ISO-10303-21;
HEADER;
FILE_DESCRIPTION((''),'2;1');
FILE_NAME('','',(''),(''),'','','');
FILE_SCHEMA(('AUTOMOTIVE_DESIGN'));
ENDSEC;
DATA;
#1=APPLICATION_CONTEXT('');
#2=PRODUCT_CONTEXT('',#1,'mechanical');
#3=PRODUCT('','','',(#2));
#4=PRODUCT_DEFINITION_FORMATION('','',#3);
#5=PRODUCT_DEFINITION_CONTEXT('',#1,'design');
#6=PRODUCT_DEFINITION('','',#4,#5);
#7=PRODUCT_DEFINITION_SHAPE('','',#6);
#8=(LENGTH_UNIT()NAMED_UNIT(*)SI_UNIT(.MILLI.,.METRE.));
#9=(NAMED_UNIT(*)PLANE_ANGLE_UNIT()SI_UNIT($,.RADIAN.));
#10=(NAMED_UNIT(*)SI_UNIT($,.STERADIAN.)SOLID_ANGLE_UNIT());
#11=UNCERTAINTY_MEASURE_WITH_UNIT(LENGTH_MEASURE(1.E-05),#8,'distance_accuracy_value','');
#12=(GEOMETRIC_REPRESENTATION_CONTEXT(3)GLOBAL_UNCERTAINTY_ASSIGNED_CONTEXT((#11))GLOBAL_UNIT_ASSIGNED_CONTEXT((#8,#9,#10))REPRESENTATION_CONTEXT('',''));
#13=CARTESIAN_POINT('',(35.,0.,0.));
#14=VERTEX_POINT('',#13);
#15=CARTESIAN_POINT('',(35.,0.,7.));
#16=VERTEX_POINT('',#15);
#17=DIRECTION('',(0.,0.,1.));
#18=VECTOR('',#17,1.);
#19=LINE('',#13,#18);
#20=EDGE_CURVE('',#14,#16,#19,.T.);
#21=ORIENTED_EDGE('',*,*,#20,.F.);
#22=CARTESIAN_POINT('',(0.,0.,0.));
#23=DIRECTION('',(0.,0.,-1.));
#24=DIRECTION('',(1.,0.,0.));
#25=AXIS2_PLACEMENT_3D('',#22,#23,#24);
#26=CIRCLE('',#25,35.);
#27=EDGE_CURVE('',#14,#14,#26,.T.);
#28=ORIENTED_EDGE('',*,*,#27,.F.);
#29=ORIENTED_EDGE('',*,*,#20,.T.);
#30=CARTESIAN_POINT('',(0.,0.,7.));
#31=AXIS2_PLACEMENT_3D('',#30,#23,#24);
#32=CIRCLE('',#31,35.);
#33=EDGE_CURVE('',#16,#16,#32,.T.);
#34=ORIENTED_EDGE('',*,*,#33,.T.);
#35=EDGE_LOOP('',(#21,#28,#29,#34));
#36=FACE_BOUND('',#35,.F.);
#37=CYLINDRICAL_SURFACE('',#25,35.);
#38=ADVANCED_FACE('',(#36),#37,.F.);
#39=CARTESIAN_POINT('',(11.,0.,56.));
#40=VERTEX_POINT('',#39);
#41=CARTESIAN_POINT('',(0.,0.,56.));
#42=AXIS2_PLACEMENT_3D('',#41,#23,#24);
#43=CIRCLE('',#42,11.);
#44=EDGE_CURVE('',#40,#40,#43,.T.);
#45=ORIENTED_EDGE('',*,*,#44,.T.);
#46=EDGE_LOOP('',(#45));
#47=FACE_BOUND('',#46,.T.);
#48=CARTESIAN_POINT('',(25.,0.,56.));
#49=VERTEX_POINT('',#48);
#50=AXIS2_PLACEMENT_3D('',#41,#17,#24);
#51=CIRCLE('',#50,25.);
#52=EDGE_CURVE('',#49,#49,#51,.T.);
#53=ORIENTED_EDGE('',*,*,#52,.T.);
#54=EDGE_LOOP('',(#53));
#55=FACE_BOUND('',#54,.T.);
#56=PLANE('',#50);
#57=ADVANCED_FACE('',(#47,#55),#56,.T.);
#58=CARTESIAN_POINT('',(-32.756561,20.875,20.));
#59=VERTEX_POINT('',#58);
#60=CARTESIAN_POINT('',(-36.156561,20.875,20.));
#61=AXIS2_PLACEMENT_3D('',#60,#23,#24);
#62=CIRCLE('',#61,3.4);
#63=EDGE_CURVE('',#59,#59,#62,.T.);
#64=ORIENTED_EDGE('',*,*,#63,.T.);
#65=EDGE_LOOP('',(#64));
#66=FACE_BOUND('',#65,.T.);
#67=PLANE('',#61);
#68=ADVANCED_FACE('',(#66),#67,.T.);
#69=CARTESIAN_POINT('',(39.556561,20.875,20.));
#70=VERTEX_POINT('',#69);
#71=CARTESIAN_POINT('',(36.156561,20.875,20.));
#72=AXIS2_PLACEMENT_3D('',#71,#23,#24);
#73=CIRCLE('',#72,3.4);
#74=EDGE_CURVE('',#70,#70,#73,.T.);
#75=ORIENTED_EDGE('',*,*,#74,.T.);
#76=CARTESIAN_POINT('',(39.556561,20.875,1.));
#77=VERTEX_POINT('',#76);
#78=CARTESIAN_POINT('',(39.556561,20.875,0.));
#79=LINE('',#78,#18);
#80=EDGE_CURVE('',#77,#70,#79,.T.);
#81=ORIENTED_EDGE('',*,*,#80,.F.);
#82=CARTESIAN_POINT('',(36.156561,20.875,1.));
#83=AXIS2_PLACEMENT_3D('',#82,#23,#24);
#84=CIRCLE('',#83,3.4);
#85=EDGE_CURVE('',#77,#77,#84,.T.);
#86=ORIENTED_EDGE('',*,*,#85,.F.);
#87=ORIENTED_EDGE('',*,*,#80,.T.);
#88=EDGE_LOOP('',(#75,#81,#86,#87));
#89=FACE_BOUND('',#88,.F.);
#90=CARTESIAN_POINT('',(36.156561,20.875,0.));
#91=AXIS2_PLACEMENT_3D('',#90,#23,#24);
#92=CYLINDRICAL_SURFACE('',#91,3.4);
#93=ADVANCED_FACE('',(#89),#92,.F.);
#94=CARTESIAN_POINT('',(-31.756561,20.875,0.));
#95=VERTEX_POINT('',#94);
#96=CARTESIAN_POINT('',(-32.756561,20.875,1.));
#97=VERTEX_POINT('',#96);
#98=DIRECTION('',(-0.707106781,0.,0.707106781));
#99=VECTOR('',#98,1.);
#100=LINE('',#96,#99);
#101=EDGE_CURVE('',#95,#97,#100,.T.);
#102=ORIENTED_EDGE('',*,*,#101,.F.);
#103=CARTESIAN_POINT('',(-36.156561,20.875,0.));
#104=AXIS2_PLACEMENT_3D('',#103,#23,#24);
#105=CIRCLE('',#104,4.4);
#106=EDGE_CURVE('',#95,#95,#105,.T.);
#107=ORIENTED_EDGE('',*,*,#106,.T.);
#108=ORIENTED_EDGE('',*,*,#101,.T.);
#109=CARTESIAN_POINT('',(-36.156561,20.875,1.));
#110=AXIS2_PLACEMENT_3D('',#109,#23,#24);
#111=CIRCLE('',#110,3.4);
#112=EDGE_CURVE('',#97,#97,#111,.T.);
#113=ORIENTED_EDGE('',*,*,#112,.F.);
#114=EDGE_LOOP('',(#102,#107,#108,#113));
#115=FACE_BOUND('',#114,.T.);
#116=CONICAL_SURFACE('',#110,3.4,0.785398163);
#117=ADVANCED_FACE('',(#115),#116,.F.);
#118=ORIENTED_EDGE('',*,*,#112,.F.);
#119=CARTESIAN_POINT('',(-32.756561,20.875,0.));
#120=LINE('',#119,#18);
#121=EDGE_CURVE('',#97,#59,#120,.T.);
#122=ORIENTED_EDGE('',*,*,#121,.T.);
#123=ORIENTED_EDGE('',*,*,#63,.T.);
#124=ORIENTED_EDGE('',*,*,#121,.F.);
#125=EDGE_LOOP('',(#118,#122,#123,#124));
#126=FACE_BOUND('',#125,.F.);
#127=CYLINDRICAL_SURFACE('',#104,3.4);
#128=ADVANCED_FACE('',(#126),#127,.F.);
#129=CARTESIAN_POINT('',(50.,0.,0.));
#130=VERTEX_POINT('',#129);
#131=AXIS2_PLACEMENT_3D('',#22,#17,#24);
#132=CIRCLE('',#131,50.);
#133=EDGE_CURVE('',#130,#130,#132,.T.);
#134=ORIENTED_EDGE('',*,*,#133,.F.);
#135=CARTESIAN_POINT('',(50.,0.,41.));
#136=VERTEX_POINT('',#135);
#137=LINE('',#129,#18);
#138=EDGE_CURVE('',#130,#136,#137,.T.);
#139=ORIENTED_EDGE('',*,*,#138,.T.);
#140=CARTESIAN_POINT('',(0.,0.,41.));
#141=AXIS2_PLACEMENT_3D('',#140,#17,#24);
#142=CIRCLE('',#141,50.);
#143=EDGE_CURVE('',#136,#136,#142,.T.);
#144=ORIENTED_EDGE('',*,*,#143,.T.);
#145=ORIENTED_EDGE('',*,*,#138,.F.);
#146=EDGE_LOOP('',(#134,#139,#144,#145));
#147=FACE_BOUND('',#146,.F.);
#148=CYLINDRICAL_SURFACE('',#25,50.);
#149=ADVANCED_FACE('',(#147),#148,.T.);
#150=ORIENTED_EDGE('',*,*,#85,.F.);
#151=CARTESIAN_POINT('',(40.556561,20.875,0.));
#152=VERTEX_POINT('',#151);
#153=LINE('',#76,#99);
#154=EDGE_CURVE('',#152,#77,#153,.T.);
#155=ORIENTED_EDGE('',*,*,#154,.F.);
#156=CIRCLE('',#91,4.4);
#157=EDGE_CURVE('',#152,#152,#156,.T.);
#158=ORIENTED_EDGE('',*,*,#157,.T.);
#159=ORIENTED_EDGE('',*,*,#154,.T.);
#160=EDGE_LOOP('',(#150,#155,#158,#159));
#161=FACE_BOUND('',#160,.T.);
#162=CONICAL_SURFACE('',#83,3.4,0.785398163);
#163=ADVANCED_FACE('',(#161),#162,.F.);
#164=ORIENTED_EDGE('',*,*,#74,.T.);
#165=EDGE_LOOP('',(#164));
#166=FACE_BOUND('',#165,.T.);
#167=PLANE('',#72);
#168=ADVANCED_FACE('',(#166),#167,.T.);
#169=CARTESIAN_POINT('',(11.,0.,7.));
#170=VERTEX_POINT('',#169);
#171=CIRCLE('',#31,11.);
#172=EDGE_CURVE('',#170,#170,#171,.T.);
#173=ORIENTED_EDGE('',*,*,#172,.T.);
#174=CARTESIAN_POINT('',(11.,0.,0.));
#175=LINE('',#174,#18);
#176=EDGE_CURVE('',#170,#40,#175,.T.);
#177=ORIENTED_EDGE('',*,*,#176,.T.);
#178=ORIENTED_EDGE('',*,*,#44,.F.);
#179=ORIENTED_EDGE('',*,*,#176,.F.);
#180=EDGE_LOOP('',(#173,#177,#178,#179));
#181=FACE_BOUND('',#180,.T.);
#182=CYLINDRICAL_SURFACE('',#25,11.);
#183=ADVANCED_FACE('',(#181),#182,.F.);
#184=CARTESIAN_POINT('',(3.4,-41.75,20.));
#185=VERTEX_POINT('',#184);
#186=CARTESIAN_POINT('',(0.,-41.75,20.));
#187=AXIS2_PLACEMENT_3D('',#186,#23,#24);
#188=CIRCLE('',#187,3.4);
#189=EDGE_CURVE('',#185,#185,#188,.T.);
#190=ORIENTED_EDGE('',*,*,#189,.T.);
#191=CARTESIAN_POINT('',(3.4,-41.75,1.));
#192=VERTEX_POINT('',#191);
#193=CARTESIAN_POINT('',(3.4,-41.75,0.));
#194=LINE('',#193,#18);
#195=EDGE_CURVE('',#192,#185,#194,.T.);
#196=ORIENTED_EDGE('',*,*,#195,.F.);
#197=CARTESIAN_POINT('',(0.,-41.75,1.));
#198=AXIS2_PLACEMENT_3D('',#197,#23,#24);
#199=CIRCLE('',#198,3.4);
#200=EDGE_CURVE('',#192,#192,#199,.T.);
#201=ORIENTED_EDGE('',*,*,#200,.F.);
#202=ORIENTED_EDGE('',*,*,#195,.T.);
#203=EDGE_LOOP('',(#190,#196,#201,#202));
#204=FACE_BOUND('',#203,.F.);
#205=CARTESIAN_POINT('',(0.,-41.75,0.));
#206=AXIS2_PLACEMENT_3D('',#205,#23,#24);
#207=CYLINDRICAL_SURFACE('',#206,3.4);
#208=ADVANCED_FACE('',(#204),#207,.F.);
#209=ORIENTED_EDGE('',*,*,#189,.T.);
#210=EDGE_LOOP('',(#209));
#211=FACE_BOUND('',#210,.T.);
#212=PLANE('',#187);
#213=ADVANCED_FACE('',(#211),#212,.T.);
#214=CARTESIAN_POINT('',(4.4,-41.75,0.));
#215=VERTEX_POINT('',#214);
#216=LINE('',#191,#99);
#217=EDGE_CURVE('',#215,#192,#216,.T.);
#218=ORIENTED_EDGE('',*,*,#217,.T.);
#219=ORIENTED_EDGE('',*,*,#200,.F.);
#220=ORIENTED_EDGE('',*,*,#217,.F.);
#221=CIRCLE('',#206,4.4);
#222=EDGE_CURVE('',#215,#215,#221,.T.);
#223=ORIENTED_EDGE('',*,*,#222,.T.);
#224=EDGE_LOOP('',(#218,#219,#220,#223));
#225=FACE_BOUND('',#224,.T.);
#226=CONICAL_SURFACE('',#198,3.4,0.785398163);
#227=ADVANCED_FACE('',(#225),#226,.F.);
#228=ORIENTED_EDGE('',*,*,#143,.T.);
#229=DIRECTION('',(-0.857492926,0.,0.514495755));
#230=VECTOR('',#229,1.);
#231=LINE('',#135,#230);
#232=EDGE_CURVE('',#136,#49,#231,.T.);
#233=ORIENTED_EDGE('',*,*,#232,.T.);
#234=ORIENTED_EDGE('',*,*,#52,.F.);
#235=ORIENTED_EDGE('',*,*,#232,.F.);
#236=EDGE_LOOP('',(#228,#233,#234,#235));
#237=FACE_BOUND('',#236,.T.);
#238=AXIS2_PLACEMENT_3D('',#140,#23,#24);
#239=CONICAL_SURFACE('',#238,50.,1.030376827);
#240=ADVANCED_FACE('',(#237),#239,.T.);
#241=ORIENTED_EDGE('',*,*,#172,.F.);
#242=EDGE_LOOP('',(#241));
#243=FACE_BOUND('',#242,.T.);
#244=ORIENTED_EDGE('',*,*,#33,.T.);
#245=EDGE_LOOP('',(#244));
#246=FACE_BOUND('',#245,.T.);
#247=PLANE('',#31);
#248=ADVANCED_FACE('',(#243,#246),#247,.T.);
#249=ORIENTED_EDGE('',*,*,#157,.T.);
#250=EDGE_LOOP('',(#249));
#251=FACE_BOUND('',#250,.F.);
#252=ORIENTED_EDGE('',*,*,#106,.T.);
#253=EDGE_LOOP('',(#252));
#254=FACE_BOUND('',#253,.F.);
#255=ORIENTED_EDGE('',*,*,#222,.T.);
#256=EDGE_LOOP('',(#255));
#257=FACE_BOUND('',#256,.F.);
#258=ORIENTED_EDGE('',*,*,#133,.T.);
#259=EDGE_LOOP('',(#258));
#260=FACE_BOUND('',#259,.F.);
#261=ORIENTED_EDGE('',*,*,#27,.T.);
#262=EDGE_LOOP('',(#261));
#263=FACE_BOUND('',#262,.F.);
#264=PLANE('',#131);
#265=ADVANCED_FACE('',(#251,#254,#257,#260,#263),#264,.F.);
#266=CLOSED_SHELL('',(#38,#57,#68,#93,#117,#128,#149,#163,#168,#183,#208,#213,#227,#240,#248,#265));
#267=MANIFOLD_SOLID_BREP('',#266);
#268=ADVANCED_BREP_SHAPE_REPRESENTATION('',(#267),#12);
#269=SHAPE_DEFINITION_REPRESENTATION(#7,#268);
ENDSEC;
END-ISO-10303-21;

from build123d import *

# Parameters (mm, degrees)
SKETCH_R        = 50
PAD_DEPTH       = 56
SKETCH004_R     = 11
POCKET_DEPTH    = 56.001
SKETCH003_R     = 35
POCKET001_DEPTH = 7
CHAMFER_SIZE2   = 25
CHAMFER_SIZE    = 15
SKETCH005_R     = 3.4
POCKET002_DEPTH = 20
CHAMFER001_SIZE = 1


with BuildPart() as part:
    # Sketch → Pad (new body)
    with BuildSketch(Plane.XY):
        Circle(SKETCH_R)
    extrude(amount=PAD_DEPTH)

    # Sketch004 → Pocket (cut, through all)
    with BuildSketch(Plane.XY):
        Circle(SKETCH004_R)
    extrude(amount=POCKET_DEPTH, mode=Mode.SUBTRACT)

    # Sketch003 → Pocket001 (cut)
    with BuildSketch(Plane(origin=(0, 0, 0), x_dir=(1, 0, 0), z_dir=(0, 0, -1))):
        Circle(SKETCH003_R)
    extrude(amount=-POCKET001_DEPTH, mode=Mode.SUBTRACT)

    # Chamfer
    chamfer_edges = [part.edges().sort_by_distance(p)[0] for p in [
        (-50, 0, 56),
    ]]
    chamfer_side = part.faces().sort_by_distance((-50, 0, 28))[0]
    chamfer(chamfer_edges, length=CHAMFER_SIZE, length2=CHAMFER_SIZE2, reference=chamfer_side)

    # Sketch005 (on Face3 of Chamfer) → Pocket002 (cut)
    with BuildSketch(Plane(origin=(0, 0, 0), x_dir=(1, 0, 0), z_dir=(0, 0, -1))):
        with Locations((0, 41.75)):
            Circle(SKETCH005_R)
        with Locations((36.156561, -20.875)):
            Circle(SKETCH005_R)
        with Locations((-36.156561, -20.875)):
            Circle(SKETCH005_R)
    extrude(amount=-POCKET002_DEPTH, mode=Mode.SUBTRACT)

    # Chamfer001
    chamfer001_edges = [part.edges().sort_by_distance(p)[0] for p in [
        (32.756561, 20.875, 0),
        (-3.4, -41.75, 0),
        (-39.556561, 20.875, 0),
    ]]
    chamfer(chamfer001_edges, length=CHAMFER001_SIZE)


solid = part.part
